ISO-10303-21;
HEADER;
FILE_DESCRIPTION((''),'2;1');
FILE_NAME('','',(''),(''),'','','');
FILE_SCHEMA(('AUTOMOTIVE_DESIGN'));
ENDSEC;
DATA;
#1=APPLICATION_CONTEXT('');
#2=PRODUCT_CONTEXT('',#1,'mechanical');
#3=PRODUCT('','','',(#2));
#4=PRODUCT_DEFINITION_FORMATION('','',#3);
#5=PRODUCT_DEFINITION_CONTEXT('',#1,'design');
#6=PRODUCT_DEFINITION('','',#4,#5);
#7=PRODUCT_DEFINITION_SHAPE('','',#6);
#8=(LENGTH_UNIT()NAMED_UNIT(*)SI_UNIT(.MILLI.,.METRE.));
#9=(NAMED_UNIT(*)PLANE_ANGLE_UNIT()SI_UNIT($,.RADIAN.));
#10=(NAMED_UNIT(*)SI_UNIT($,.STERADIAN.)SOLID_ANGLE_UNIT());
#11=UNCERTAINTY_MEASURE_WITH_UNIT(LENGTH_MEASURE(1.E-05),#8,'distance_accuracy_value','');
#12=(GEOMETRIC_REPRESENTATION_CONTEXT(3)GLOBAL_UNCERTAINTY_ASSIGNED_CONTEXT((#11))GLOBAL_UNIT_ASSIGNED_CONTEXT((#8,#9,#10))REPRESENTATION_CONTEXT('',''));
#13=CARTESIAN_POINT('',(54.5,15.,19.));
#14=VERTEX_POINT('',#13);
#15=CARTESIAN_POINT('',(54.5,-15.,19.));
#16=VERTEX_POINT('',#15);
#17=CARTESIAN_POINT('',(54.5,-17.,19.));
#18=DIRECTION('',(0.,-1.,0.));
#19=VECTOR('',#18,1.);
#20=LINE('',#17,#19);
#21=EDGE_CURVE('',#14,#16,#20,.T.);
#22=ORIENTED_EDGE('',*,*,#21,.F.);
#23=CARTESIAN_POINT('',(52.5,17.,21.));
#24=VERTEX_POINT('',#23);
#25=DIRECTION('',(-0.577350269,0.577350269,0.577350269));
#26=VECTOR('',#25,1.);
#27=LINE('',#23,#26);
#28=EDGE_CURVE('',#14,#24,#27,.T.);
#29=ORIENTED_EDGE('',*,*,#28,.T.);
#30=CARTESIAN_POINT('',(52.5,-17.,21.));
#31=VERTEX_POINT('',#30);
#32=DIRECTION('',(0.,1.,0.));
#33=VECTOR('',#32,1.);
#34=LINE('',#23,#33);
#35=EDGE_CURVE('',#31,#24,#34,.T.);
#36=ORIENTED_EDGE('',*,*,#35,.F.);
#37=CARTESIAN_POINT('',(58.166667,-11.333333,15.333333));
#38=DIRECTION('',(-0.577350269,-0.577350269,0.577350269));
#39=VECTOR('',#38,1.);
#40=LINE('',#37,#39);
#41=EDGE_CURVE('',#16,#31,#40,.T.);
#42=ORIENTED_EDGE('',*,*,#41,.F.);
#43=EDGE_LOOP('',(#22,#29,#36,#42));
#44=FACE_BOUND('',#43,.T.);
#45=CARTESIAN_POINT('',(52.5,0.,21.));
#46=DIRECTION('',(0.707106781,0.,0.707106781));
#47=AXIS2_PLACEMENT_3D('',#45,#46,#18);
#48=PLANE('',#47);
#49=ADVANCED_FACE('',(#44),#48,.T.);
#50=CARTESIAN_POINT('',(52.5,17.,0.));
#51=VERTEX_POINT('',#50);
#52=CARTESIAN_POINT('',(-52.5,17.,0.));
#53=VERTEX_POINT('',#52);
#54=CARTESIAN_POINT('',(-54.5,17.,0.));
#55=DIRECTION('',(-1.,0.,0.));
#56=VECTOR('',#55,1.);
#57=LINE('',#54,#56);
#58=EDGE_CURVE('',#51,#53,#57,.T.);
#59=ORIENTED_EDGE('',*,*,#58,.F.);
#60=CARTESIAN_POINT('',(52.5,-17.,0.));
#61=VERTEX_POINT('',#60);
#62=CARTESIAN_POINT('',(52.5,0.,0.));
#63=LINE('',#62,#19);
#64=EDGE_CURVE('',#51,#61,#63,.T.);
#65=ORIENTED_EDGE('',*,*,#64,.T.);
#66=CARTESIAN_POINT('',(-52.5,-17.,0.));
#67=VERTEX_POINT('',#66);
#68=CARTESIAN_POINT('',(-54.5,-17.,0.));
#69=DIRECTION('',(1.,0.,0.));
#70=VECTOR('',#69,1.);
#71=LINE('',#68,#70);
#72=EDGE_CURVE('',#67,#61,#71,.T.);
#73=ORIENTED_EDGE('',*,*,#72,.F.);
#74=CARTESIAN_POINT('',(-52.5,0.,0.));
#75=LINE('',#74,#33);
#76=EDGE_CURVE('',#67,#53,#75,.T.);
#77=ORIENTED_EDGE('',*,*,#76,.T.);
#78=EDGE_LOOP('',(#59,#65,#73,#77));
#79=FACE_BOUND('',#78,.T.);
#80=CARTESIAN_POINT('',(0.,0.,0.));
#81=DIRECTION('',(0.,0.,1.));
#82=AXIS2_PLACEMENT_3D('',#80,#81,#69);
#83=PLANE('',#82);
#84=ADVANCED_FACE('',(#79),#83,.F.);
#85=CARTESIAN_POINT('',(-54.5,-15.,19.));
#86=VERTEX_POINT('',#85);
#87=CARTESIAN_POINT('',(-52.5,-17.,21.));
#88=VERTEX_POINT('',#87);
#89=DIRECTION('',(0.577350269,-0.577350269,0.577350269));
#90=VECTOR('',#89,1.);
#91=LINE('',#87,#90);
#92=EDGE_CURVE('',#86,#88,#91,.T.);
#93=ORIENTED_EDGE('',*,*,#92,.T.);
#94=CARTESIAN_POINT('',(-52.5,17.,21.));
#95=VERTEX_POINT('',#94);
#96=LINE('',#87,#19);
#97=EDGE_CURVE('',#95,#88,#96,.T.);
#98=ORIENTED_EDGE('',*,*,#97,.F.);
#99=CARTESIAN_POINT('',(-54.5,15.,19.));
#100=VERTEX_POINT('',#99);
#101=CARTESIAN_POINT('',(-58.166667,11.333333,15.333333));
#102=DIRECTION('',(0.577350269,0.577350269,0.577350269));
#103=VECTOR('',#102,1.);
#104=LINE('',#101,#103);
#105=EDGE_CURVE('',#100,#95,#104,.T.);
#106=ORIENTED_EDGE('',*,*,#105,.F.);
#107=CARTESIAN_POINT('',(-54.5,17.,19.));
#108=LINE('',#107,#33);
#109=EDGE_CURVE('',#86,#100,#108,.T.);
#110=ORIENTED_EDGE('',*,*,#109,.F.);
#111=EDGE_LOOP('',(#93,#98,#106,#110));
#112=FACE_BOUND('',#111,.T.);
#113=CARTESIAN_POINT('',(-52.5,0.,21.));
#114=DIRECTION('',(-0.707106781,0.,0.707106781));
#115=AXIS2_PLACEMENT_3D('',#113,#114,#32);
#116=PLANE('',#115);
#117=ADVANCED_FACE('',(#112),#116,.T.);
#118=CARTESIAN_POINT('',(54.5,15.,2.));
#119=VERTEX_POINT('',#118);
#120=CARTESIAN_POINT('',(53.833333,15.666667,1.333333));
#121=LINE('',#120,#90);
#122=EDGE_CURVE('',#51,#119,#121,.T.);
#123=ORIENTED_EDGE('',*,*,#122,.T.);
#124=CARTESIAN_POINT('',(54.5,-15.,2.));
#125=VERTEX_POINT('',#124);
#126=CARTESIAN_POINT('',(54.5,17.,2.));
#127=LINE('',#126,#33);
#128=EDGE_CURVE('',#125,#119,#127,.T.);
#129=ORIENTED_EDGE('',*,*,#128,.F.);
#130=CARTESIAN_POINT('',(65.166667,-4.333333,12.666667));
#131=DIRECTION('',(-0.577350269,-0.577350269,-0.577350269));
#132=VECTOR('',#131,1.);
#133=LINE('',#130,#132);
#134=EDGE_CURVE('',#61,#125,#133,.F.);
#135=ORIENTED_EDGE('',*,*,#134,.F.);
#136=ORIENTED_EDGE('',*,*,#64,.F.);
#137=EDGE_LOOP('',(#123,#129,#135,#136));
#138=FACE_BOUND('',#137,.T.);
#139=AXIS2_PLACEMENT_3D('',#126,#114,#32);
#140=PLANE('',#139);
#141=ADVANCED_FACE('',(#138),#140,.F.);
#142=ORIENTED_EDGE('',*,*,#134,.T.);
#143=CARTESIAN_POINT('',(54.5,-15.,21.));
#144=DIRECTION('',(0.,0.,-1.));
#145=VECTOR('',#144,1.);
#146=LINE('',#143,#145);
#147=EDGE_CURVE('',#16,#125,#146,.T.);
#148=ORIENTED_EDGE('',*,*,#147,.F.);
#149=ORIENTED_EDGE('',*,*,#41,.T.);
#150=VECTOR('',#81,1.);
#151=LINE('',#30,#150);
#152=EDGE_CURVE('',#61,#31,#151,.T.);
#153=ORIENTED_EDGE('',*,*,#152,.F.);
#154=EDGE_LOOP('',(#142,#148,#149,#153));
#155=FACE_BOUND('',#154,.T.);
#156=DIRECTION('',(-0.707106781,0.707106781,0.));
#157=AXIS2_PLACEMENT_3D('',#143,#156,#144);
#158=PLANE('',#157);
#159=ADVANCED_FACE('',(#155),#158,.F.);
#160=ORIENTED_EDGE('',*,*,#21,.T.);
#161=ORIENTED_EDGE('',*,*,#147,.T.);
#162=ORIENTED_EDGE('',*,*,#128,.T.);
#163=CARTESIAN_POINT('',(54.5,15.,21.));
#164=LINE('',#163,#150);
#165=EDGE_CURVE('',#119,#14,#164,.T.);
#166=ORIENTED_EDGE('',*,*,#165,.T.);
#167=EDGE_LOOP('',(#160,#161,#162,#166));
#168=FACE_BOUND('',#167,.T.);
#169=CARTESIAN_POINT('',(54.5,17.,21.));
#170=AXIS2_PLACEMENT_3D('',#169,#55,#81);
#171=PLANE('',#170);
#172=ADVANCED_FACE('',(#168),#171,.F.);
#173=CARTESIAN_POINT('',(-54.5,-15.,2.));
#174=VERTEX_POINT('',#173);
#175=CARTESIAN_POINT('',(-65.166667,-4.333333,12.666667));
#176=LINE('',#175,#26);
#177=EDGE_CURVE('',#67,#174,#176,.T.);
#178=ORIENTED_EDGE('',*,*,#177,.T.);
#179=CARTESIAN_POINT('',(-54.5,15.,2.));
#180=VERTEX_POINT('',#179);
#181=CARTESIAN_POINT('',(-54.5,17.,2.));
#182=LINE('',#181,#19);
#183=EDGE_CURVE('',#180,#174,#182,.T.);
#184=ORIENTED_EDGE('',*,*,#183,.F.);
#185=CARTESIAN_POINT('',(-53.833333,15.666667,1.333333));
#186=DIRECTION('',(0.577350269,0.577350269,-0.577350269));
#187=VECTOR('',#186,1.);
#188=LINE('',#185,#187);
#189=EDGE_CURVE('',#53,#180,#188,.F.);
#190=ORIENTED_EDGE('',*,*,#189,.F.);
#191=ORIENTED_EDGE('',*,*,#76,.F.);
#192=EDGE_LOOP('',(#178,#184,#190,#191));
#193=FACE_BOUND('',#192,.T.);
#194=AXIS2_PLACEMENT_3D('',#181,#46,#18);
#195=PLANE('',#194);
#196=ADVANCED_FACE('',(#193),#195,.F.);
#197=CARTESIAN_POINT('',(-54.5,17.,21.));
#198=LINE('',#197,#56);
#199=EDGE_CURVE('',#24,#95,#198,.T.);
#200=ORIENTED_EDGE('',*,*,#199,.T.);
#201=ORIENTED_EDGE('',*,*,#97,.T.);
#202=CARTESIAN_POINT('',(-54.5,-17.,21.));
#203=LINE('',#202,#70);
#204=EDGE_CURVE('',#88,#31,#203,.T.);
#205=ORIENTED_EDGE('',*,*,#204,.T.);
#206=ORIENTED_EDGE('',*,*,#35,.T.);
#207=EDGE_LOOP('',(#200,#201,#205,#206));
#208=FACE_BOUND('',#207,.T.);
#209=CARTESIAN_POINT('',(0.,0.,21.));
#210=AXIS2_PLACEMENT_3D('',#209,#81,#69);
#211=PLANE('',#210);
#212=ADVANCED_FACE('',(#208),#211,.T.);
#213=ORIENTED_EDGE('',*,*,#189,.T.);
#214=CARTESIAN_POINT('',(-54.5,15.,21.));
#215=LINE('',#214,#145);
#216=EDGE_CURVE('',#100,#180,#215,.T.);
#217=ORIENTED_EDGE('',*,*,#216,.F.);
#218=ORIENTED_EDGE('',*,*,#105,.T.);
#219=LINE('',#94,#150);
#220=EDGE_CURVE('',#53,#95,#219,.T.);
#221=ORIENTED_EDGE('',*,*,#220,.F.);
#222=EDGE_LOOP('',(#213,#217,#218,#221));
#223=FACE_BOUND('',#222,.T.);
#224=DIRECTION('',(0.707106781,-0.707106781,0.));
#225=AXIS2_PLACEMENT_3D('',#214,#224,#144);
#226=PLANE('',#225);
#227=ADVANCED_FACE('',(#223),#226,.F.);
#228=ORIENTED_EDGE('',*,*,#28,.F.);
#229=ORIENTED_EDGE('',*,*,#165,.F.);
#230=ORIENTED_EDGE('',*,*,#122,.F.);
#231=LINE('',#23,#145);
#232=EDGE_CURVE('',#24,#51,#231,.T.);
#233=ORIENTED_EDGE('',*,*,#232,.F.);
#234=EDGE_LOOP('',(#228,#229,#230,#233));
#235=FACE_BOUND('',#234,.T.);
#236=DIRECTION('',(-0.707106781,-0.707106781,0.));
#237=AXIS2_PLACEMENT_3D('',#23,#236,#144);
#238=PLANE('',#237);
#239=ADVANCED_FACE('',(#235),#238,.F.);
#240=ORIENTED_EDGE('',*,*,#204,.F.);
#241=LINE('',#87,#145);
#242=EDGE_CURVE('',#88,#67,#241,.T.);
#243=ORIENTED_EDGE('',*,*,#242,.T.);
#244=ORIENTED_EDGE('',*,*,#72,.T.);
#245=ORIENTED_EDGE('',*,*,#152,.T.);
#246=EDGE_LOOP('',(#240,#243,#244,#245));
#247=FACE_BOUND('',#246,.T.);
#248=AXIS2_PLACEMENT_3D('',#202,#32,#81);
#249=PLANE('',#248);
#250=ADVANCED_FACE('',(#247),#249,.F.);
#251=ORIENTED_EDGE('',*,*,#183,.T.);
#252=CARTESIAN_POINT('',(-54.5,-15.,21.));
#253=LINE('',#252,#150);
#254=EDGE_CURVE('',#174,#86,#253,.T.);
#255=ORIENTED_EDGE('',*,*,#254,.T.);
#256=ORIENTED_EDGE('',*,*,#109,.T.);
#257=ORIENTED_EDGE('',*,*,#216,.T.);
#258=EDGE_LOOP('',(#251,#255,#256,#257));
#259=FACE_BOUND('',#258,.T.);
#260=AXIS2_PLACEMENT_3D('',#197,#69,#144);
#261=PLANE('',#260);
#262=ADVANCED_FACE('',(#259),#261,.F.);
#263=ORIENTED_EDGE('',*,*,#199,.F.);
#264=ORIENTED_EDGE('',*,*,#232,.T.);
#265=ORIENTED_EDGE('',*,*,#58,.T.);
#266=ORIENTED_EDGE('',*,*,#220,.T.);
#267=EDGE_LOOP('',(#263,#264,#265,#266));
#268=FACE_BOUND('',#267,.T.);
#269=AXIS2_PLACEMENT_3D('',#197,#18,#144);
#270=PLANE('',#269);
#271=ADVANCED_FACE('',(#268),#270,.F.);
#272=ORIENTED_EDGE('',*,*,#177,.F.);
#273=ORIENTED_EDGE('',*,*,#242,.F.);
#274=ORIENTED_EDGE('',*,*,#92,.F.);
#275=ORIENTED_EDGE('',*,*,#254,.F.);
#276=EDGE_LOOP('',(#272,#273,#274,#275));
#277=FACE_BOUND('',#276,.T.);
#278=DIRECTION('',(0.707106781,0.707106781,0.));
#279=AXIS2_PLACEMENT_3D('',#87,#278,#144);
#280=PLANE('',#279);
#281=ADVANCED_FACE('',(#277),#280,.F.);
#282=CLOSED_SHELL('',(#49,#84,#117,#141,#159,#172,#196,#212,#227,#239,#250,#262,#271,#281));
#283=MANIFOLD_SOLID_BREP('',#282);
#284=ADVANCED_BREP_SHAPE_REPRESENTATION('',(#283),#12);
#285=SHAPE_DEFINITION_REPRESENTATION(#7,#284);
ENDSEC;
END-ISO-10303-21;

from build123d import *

# Parameters (mm, degrees)
SKETCH1_W           = 109
SKETCH1_H           = 34
BOSS_EXTRUDE1_DEPTH = 21
CHAMFER1_SIZE       = 2


with BuildPart() as part:
    # Sketch1 → Boss-Extrude1 (new body)
    with BuildSketch(Plane.XY):
        Rectangle(SKETCH1_W, SKETCH1_H)
    extrude(amount=BOSS_EXTRUDE1_DEPTH)

    # Chamfer1
    chamfer1_edges = [part.edges().sort_by_distance(p)[0] for p in [
        (-54.5, 0, 21),
        (54.5, 0, 21),
        (-54.5, 0, 0),
        (54.5, 0, 0),
        (54.5, -17, 10.5),
        (-54.5, -17, 10.5),
        (-54.5, 17, 10.5),
        (54.5, 17, 10.5),
    ]]
    chamfer(chamfer1_edges, length=CHAMFER1_SIZE)


solid = part.part
